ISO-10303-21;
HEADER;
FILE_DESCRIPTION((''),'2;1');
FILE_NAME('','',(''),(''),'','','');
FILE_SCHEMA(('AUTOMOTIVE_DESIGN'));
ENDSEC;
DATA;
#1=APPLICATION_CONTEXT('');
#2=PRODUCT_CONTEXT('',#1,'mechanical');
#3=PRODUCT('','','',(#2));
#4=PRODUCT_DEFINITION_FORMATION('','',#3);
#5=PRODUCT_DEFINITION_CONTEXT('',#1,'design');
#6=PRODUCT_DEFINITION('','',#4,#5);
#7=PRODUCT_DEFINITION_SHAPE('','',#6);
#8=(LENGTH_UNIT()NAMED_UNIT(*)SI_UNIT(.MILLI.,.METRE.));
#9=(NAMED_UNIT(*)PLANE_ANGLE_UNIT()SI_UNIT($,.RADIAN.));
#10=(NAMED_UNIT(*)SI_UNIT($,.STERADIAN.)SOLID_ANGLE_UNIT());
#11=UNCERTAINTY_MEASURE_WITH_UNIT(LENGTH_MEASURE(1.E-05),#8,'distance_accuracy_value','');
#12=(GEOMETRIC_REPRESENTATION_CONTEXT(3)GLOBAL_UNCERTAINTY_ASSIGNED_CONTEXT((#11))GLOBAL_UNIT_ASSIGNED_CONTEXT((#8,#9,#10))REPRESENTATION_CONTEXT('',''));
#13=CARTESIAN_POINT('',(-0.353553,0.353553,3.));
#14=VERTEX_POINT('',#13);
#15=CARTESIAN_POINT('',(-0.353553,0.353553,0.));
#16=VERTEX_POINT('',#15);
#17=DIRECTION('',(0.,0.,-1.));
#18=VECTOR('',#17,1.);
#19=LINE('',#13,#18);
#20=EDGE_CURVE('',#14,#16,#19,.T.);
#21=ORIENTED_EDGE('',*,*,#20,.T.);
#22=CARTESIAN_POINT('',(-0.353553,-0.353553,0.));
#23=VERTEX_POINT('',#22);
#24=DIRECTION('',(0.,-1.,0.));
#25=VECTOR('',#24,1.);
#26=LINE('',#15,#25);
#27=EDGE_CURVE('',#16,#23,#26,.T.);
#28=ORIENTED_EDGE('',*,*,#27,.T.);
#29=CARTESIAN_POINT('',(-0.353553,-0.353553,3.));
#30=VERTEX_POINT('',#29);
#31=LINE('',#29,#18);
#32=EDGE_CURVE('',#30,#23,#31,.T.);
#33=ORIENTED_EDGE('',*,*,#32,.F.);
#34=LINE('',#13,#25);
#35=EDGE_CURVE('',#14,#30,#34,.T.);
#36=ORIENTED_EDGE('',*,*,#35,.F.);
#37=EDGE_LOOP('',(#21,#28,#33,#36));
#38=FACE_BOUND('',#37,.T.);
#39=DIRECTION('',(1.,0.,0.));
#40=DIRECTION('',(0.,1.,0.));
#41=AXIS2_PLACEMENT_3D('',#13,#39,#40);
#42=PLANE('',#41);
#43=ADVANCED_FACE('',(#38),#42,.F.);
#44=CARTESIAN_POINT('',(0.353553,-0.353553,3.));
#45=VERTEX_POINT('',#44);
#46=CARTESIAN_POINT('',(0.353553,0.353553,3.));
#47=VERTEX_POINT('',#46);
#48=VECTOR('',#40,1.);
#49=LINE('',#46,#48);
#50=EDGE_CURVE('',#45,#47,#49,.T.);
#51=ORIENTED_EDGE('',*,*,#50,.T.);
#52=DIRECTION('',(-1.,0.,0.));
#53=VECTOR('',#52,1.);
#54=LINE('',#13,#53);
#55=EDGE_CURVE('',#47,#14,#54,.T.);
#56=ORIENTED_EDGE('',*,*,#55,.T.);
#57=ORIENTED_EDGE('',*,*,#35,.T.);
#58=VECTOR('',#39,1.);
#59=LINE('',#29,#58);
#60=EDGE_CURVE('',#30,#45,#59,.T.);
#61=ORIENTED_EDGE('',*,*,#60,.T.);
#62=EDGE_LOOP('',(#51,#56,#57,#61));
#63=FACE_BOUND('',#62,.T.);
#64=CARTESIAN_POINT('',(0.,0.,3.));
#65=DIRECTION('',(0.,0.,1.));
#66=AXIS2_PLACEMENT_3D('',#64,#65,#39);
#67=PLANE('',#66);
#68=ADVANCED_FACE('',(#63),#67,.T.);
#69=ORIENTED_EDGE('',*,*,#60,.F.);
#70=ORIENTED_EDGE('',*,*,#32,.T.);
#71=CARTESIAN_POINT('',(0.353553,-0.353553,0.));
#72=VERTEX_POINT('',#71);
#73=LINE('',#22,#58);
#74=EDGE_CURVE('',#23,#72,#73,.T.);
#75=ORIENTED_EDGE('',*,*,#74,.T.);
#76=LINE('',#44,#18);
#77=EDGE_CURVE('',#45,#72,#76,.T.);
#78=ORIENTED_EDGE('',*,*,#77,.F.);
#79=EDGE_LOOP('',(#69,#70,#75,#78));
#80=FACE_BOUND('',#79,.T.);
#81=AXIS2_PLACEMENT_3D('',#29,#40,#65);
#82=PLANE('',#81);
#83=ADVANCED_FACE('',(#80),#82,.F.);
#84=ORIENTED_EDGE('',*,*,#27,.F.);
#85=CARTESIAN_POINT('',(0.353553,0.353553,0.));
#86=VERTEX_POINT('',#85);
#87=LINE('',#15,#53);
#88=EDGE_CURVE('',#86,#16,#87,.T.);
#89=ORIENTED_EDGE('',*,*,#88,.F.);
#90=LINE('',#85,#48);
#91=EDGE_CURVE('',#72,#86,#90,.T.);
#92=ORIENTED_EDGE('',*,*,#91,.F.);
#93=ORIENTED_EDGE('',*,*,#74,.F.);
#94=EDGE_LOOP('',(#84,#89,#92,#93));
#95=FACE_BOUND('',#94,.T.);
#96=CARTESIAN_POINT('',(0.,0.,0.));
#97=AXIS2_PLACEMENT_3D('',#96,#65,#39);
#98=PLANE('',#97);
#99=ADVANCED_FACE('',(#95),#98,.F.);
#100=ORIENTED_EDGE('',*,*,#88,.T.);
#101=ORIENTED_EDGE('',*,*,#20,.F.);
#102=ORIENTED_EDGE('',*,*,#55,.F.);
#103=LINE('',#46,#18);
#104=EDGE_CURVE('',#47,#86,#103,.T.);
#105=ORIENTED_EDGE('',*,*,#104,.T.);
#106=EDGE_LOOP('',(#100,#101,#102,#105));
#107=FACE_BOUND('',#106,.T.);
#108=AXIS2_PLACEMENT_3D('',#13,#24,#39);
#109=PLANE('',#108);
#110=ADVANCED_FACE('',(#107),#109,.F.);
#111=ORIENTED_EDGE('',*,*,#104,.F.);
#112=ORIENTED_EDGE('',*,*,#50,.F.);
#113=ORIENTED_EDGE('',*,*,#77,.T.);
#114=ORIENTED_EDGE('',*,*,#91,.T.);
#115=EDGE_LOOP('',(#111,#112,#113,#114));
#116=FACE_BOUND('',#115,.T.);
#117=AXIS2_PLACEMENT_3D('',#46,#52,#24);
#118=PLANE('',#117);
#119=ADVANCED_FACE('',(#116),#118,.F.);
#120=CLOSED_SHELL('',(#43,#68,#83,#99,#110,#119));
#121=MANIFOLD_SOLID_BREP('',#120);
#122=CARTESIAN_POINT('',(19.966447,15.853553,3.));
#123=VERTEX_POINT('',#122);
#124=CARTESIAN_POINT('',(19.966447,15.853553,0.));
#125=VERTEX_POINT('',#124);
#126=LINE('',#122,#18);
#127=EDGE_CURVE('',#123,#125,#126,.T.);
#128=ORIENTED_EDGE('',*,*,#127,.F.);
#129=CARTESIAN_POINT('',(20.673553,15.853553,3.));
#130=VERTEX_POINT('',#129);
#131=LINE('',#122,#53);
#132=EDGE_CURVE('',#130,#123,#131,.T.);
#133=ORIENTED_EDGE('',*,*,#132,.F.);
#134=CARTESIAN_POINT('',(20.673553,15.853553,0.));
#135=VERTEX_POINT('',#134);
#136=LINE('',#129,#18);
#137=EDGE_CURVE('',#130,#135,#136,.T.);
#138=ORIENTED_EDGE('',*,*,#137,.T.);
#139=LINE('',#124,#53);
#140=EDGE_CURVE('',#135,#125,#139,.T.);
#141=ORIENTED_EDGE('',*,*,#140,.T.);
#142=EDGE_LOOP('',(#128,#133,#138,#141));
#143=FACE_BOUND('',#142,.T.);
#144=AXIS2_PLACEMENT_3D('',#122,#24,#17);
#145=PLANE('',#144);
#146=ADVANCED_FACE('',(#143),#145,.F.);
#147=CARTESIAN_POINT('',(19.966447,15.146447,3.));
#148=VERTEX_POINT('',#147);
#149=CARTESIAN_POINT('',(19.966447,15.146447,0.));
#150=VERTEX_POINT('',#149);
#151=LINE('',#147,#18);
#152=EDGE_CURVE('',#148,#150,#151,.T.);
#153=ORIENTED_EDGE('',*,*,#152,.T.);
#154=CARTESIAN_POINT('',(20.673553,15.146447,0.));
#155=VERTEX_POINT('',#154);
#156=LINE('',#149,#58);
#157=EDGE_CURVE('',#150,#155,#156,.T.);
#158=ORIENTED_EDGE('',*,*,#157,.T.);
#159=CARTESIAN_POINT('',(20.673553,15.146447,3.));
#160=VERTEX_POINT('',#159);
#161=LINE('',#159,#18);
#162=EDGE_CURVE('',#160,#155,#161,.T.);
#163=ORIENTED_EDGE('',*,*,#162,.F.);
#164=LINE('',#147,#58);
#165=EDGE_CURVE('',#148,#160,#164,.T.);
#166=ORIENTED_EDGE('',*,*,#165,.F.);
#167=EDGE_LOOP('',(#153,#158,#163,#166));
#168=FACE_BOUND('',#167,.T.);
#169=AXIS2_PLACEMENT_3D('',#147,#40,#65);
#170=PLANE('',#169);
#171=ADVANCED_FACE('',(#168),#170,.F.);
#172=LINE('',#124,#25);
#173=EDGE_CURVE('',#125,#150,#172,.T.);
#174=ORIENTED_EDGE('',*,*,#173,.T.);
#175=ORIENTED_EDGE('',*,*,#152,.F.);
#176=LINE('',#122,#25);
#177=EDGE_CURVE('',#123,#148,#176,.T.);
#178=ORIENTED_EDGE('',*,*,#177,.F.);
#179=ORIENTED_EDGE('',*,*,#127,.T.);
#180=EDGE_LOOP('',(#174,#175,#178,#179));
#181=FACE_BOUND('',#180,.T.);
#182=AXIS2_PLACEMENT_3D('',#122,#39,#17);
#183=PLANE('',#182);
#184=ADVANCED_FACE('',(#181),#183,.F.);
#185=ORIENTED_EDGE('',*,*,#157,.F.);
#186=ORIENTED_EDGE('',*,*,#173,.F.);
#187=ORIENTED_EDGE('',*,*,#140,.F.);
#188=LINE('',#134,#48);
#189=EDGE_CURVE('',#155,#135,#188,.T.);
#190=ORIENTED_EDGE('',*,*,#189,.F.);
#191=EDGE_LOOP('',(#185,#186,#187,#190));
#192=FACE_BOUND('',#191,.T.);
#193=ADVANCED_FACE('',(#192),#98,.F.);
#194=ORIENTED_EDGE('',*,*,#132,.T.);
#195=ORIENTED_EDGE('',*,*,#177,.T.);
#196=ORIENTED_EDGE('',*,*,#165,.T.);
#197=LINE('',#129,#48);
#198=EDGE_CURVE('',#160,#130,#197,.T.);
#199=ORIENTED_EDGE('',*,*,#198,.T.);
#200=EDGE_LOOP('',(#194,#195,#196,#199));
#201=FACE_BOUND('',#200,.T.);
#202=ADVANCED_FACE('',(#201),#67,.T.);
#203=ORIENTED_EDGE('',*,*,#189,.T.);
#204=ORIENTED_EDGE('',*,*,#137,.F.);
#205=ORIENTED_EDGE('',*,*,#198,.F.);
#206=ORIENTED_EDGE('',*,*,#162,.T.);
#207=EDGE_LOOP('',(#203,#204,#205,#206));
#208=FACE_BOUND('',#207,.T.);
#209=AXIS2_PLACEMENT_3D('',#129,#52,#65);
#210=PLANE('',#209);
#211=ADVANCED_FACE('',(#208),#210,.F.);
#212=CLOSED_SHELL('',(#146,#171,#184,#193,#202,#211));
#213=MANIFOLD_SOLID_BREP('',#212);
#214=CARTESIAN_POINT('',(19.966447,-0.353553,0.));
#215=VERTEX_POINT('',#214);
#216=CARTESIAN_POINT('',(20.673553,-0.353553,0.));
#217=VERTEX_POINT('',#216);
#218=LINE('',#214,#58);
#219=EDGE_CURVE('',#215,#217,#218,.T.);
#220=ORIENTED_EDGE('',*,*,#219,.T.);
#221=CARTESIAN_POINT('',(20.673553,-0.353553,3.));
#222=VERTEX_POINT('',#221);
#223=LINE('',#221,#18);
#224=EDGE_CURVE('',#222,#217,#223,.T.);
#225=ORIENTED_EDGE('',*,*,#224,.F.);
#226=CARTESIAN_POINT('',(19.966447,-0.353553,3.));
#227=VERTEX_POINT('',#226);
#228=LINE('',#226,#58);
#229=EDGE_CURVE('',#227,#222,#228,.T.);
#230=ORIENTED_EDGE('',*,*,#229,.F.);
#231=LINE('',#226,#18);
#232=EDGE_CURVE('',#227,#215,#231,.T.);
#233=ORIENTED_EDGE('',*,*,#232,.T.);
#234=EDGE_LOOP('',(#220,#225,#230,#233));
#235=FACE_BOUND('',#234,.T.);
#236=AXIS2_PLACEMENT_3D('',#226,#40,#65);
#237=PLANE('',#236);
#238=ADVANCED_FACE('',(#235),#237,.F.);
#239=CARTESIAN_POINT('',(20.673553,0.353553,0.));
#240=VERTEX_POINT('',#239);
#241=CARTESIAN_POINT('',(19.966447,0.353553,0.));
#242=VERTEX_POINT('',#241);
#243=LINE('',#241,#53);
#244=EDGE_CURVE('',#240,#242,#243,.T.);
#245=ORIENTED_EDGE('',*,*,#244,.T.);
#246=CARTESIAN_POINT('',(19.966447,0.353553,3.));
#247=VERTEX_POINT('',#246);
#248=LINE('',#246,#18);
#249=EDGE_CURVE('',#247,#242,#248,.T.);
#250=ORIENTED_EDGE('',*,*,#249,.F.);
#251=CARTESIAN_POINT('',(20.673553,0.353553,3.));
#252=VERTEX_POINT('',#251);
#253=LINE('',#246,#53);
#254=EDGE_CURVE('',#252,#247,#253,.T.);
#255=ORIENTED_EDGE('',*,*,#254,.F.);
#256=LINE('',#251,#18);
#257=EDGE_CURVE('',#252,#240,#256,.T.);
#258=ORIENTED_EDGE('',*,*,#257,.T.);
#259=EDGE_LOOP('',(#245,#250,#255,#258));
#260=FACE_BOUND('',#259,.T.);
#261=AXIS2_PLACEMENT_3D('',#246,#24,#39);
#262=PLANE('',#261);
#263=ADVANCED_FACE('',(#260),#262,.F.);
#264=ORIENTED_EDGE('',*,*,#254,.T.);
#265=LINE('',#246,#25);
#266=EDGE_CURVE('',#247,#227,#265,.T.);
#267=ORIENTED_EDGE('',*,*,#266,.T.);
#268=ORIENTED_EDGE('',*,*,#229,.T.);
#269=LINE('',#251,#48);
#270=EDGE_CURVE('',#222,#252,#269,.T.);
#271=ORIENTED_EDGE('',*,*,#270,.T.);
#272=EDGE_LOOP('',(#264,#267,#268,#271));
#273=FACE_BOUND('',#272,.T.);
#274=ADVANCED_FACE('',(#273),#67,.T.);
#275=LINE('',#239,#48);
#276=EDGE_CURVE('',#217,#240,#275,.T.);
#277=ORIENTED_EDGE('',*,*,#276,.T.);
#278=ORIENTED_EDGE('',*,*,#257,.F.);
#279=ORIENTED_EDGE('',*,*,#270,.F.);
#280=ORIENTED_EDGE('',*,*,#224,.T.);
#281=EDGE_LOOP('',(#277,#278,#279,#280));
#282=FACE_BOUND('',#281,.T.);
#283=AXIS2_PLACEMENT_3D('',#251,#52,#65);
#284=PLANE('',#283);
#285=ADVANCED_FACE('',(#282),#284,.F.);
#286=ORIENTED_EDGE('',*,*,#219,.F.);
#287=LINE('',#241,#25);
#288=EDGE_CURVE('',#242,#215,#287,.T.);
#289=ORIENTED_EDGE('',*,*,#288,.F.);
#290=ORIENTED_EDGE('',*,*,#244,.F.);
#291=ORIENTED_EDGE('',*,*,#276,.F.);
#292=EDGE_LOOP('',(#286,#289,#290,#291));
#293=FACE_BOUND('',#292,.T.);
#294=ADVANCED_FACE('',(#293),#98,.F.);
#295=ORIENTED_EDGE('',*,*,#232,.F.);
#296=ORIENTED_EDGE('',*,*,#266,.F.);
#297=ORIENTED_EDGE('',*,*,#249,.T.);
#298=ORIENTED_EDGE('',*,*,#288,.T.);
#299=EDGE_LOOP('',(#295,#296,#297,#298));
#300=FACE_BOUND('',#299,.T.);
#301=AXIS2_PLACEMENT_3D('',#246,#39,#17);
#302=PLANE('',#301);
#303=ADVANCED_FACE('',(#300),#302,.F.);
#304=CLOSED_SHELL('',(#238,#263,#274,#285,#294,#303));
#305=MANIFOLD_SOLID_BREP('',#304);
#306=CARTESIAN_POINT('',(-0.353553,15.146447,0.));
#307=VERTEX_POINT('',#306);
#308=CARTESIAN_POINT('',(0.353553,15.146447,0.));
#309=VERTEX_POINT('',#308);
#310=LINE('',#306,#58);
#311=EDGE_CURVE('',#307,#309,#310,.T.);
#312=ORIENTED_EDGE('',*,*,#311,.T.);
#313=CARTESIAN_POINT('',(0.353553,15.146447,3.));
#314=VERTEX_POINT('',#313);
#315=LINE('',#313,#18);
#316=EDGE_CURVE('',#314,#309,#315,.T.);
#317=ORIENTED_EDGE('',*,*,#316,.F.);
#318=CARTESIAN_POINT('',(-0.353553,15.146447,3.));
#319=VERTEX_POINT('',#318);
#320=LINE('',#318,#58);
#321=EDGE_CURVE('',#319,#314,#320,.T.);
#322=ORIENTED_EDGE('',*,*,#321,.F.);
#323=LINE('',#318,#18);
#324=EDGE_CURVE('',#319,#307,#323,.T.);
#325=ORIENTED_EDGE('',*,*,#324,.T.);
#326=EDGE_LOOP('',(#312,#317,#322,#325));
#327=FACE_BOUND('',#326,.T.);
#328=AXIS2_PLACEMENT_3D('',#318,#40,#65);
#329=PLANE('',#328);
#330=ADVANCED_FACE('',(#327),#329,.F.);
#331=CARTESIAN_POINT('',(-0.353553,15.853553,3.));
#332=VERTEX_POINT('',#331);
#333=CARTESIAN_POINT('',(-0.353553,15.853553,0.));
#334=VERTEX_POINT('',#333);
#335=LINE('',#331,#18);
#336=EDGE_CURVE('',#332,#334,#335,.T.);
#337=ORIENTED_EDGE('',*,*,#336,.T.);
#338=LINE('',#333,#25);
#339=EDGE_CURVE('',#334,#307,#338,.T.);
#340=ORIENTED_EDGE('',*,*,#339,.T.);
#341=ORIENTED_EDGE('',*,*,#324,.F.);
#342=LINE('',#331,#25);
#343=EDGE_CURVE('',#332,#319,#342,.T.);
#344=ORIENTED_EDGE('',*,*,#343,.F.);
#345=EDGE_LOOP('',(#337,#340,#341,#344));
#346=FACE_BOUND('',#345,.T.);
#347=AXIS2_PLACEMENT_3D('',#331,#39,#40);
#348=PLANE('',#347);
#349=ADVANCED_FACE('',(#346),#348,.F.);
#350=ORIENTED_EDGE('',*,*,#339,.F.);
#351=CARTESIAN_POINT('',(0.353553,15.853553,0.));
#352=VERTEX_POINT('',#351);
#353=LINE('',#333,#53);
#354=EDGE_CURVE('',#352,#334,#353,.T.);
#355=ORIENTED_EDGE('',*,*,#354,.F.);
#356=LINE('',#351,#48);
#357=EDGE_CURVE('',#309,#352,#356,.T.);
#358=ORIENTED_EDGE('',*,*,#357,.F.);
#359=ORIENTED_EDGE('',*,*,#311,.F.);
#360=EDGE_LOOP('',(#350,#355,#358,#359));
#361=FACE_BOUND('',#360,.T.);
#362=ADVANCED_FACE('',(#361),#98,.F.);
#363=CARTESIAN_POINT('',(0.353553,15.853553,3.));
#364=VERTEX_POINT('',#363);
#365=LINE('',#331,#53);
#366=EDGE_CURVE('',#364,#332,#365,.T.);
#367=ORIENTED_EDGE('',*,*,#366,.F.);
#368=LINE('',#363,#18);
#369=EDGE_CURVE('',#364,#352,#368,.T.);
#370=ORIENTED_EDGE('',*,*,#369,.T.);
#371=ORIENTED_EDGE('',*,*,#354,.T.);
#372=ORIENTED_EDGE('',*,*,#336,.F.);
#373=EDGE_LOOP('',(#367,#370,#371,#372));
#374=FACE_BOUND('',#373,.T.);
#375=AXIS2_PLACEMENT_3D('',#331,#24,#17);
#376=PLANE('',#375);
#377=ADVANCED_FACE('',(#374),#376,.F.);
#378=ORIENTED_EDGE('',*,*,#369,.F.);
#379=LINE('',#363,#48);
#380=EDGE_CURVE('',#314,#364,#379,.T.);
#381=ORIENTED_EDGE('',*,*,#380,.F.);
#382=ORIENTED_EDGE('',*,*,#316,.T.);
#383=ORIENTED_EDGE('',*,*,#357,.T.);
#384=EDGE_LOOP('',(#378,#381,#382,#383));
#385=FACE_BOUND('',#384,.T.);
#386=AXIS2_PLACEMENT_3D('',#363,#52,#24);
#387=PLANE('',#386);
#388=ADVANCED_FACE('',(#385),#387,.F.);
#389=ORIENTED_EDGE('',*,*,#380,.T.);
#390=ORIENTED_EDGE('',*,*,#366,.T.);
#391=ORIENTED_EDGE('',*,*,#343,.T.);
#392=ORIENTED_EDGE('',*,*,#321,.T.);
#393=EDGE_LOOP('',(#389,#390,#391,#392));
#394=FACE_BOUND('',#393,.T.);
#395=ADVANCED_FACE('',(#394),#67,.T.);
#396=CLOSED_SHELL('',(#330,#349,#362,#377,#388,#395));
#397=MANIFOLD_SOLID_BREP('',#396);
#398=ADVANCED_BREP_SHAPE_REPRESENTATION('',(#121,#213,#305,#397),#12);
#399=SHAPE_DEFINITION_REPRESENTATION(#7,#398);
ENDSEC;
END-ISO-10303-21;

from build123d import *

# Parameters (mm, degrees)
SKETCH_1_W        = 0.707106782
SKETCH_1_H        = 0.707106782
EXTRUDE_1_DEPTH   = 3
EXTRUDE_1_2_DEPTH = 3
EXTRUDE_1_3_DEPTH = 3
EXTRUDE_1_4_DEPTH = 3


with BuildPart() as part:
    # 草图1 → 凸台-拉伸1 (new body)
    with BuildSketch(Plane.XY):
        with Locations((20.32, 0)):
            Rectangle(SKETCH_1_W, SKETCH_1_H)
    extrude(amount=EXTRUDE_1_DEPTH)


with BuildPart() as body_2:
    # 草图1 → Extrude 1 2 (new body)
    with BuildSketch(Plane.XY):
        Rectangle(SKETCH_1_W, SKETCH_1_H)
    extrude(amount=EXTRUDE_1_2_DEPTH)


with BuildPart() as body_3:
    # 草图1 → Extrude 1 3 (new body)
    with BuildSketch(Plane.XY):
        with Locations((20.32, 15.5)):
            Rectangle(SKETCH_1_W, SKETCH_1_H)
    extrude(amount=EXTRUDE_1_3_DEPTH)


with BuildPart() as body_4:
    # 草图1 → Extrude 1 4 (new body)
    with BuildSketch(Plane.XY):
        with Locations((0, 15.5)):
            Rectangle(SKETCH_1_W, SKETCH_1_H)
    extrude(amount=EXTRUDE_1_4_DEPTH)


solid = Compound([part.part, body_2.part, body_3.part, body_4.part])
